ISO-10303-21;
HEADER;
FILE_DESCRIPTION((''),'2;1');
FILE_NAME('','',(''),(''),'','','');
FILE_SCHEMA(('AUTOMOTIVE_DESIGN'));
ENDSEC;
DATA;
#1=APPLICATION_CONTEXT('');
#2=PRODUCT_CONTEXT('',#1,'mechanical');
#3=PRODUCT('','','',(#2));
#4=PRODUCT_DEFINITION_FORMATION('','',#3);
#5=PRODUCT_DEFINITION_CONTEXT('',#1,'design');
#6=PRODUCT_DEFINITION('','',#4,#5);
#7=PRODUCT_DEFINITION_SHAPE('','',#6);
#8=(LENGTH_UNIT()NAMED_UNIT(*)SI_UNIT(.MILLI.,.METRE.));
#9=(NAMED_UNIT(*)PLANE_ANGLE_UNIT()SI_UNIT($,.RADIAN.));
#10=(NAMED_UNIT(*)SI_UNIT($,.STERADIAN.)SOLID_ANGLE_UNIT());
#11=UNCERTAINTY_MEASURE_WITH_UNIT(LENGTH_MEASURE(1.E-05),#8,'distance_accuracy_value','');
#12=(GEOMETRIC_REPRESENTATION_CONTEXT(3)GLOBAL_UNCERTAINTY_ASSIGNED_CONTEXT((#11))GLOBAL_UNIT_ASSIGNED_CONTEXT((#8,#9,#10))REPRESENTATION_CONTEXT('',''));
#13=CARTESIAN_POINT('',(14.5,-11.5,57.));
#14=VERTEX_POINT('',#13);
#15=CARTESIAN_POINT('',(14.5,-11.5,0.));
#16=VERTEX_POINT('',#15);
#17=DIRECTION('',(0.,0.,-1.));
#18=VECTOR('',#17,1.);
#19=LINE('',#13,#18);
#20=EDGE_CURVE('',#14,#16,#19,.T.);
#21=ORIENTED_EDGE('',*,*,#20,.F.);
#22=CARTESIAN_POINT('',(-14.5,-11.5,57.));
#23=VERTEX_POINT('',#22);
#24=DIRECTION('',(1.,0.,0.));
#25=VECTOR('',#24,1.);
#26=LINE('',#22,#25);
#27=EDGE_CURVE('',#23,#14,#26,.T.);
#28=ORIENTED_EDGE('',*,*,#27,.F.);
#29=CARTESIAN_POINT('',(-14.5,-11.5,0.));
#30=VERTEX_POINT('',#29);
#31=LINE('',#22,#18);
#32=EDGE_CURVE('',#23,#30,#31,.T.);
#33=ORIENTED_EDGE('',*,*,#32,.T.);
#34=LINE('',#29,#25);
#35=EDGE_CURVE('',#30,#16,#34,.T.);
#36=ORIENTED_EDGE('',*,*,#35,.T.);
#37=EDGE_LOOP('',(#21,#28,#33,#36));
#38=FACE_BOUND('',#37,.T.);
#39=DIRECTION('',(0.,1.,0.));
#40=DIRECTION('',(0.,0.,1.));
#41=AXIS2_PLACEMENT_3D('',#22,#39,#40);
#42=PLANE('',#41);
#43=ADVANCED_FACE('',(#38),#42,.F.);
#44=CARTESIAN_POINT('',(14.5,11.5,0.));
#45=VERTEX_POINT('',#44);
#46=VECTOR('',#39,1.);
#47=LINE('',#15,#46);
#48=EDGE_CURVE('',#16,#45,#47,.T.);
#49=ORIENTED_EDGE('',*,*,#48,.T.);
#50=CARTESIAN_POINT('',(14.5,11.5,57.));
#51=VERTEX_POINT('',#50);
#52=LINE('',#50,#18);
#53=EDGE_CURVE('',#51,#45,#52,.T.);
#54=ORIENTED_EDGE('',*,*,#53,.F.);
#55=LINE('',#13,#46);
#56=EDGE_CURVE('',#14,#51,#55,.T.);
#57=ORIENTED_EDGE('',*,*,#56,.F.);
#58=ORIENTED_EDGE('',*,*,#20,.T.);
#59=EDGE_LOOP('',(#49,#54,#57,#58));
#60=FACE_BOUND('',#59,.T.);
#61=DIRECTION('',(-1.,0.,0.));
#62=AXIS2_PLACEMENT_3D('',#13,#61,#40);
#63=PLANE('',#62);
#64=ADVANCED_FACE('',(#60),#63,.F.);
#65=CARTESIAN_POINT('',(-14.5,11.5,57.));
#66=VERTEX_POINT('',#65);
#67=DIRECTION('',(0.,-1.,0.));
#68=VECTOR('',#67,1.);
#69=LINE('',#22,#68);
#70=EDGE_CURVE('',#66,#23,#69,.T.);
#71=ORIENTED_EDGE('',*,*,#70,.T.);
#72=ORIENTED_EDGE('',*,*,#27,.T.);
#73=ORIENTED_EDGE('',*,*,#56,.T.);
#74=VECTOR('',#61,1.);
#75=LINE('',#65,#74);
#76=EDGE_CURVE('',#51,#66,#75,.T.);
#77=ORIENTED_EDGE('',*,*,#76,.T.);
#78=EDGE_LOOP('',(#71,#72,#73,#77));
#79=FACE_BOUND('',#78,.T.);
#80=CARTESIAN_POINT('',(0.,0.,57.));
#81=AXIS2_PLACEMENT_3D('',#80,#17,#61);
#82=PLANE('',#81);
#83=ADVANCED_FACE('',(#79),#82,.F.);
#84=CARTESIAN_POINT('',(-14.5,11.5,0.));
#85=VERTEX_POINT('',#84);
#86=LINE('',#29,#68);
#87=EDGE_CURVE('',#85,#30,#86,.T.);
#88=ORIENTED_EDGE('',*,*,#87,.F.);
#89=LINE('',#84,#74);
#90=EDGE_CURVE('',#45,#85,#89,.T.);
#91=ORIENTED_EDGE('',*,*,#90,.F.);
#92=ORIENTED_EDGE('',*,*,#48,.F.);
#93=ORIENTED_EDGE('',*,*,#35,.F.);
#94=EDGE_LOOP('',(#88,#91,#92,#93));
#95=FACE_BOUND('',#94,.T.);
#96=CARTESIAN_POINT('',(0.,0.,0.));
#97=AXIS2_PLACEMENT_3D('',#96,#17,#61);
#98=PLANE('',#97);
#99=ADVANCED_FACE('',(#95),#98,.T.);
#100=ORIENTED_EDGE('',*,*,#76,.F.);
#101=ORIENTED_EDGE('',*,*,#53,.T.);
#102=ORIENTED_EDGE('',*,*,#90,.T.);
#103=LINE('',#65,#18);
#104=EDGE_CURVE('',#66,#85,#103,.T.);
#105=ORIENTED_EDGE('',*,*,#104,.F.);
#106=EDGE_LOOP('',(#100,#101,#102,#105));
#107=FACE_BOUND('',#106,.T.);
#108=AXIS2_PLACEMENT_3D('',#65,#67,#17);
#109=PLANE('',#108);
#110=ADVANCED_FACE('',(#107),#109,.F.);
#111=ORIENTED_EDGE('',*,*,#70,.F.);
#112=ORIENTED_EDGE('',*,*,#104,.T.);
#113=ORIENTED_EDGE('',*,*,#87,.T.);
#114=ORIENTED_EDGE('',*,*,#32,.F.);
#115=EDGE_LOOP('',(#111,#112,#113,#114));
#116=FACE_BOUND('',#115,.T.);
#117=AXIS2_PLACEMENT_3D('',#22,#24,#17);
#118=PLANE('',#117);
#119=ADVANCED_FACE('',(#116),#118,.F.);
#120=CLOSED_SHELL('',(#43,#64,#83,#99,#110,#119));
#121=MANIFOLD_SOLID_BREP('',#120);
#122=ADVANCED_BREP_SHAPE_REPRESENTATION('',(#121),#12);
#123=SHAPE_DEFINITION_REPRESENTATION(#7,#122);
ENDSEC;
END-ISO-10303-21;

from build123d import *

# Parameters (mm, degrees)
SKETCH_1_W      = 29
SKETCH_1_H      = 23
EXTRUDE_1_DEPTH = 57


with BuildPart() as part:
    # 草图1 → 凸台-拉伸1 (new body)
    with BuildSketch(Plane.XY):
        Rectangle(SKETCH_1_W, SKETCH_1_H)
    extrude(amount=EXTRUDE_1_DEPTH)


solid = part.part
